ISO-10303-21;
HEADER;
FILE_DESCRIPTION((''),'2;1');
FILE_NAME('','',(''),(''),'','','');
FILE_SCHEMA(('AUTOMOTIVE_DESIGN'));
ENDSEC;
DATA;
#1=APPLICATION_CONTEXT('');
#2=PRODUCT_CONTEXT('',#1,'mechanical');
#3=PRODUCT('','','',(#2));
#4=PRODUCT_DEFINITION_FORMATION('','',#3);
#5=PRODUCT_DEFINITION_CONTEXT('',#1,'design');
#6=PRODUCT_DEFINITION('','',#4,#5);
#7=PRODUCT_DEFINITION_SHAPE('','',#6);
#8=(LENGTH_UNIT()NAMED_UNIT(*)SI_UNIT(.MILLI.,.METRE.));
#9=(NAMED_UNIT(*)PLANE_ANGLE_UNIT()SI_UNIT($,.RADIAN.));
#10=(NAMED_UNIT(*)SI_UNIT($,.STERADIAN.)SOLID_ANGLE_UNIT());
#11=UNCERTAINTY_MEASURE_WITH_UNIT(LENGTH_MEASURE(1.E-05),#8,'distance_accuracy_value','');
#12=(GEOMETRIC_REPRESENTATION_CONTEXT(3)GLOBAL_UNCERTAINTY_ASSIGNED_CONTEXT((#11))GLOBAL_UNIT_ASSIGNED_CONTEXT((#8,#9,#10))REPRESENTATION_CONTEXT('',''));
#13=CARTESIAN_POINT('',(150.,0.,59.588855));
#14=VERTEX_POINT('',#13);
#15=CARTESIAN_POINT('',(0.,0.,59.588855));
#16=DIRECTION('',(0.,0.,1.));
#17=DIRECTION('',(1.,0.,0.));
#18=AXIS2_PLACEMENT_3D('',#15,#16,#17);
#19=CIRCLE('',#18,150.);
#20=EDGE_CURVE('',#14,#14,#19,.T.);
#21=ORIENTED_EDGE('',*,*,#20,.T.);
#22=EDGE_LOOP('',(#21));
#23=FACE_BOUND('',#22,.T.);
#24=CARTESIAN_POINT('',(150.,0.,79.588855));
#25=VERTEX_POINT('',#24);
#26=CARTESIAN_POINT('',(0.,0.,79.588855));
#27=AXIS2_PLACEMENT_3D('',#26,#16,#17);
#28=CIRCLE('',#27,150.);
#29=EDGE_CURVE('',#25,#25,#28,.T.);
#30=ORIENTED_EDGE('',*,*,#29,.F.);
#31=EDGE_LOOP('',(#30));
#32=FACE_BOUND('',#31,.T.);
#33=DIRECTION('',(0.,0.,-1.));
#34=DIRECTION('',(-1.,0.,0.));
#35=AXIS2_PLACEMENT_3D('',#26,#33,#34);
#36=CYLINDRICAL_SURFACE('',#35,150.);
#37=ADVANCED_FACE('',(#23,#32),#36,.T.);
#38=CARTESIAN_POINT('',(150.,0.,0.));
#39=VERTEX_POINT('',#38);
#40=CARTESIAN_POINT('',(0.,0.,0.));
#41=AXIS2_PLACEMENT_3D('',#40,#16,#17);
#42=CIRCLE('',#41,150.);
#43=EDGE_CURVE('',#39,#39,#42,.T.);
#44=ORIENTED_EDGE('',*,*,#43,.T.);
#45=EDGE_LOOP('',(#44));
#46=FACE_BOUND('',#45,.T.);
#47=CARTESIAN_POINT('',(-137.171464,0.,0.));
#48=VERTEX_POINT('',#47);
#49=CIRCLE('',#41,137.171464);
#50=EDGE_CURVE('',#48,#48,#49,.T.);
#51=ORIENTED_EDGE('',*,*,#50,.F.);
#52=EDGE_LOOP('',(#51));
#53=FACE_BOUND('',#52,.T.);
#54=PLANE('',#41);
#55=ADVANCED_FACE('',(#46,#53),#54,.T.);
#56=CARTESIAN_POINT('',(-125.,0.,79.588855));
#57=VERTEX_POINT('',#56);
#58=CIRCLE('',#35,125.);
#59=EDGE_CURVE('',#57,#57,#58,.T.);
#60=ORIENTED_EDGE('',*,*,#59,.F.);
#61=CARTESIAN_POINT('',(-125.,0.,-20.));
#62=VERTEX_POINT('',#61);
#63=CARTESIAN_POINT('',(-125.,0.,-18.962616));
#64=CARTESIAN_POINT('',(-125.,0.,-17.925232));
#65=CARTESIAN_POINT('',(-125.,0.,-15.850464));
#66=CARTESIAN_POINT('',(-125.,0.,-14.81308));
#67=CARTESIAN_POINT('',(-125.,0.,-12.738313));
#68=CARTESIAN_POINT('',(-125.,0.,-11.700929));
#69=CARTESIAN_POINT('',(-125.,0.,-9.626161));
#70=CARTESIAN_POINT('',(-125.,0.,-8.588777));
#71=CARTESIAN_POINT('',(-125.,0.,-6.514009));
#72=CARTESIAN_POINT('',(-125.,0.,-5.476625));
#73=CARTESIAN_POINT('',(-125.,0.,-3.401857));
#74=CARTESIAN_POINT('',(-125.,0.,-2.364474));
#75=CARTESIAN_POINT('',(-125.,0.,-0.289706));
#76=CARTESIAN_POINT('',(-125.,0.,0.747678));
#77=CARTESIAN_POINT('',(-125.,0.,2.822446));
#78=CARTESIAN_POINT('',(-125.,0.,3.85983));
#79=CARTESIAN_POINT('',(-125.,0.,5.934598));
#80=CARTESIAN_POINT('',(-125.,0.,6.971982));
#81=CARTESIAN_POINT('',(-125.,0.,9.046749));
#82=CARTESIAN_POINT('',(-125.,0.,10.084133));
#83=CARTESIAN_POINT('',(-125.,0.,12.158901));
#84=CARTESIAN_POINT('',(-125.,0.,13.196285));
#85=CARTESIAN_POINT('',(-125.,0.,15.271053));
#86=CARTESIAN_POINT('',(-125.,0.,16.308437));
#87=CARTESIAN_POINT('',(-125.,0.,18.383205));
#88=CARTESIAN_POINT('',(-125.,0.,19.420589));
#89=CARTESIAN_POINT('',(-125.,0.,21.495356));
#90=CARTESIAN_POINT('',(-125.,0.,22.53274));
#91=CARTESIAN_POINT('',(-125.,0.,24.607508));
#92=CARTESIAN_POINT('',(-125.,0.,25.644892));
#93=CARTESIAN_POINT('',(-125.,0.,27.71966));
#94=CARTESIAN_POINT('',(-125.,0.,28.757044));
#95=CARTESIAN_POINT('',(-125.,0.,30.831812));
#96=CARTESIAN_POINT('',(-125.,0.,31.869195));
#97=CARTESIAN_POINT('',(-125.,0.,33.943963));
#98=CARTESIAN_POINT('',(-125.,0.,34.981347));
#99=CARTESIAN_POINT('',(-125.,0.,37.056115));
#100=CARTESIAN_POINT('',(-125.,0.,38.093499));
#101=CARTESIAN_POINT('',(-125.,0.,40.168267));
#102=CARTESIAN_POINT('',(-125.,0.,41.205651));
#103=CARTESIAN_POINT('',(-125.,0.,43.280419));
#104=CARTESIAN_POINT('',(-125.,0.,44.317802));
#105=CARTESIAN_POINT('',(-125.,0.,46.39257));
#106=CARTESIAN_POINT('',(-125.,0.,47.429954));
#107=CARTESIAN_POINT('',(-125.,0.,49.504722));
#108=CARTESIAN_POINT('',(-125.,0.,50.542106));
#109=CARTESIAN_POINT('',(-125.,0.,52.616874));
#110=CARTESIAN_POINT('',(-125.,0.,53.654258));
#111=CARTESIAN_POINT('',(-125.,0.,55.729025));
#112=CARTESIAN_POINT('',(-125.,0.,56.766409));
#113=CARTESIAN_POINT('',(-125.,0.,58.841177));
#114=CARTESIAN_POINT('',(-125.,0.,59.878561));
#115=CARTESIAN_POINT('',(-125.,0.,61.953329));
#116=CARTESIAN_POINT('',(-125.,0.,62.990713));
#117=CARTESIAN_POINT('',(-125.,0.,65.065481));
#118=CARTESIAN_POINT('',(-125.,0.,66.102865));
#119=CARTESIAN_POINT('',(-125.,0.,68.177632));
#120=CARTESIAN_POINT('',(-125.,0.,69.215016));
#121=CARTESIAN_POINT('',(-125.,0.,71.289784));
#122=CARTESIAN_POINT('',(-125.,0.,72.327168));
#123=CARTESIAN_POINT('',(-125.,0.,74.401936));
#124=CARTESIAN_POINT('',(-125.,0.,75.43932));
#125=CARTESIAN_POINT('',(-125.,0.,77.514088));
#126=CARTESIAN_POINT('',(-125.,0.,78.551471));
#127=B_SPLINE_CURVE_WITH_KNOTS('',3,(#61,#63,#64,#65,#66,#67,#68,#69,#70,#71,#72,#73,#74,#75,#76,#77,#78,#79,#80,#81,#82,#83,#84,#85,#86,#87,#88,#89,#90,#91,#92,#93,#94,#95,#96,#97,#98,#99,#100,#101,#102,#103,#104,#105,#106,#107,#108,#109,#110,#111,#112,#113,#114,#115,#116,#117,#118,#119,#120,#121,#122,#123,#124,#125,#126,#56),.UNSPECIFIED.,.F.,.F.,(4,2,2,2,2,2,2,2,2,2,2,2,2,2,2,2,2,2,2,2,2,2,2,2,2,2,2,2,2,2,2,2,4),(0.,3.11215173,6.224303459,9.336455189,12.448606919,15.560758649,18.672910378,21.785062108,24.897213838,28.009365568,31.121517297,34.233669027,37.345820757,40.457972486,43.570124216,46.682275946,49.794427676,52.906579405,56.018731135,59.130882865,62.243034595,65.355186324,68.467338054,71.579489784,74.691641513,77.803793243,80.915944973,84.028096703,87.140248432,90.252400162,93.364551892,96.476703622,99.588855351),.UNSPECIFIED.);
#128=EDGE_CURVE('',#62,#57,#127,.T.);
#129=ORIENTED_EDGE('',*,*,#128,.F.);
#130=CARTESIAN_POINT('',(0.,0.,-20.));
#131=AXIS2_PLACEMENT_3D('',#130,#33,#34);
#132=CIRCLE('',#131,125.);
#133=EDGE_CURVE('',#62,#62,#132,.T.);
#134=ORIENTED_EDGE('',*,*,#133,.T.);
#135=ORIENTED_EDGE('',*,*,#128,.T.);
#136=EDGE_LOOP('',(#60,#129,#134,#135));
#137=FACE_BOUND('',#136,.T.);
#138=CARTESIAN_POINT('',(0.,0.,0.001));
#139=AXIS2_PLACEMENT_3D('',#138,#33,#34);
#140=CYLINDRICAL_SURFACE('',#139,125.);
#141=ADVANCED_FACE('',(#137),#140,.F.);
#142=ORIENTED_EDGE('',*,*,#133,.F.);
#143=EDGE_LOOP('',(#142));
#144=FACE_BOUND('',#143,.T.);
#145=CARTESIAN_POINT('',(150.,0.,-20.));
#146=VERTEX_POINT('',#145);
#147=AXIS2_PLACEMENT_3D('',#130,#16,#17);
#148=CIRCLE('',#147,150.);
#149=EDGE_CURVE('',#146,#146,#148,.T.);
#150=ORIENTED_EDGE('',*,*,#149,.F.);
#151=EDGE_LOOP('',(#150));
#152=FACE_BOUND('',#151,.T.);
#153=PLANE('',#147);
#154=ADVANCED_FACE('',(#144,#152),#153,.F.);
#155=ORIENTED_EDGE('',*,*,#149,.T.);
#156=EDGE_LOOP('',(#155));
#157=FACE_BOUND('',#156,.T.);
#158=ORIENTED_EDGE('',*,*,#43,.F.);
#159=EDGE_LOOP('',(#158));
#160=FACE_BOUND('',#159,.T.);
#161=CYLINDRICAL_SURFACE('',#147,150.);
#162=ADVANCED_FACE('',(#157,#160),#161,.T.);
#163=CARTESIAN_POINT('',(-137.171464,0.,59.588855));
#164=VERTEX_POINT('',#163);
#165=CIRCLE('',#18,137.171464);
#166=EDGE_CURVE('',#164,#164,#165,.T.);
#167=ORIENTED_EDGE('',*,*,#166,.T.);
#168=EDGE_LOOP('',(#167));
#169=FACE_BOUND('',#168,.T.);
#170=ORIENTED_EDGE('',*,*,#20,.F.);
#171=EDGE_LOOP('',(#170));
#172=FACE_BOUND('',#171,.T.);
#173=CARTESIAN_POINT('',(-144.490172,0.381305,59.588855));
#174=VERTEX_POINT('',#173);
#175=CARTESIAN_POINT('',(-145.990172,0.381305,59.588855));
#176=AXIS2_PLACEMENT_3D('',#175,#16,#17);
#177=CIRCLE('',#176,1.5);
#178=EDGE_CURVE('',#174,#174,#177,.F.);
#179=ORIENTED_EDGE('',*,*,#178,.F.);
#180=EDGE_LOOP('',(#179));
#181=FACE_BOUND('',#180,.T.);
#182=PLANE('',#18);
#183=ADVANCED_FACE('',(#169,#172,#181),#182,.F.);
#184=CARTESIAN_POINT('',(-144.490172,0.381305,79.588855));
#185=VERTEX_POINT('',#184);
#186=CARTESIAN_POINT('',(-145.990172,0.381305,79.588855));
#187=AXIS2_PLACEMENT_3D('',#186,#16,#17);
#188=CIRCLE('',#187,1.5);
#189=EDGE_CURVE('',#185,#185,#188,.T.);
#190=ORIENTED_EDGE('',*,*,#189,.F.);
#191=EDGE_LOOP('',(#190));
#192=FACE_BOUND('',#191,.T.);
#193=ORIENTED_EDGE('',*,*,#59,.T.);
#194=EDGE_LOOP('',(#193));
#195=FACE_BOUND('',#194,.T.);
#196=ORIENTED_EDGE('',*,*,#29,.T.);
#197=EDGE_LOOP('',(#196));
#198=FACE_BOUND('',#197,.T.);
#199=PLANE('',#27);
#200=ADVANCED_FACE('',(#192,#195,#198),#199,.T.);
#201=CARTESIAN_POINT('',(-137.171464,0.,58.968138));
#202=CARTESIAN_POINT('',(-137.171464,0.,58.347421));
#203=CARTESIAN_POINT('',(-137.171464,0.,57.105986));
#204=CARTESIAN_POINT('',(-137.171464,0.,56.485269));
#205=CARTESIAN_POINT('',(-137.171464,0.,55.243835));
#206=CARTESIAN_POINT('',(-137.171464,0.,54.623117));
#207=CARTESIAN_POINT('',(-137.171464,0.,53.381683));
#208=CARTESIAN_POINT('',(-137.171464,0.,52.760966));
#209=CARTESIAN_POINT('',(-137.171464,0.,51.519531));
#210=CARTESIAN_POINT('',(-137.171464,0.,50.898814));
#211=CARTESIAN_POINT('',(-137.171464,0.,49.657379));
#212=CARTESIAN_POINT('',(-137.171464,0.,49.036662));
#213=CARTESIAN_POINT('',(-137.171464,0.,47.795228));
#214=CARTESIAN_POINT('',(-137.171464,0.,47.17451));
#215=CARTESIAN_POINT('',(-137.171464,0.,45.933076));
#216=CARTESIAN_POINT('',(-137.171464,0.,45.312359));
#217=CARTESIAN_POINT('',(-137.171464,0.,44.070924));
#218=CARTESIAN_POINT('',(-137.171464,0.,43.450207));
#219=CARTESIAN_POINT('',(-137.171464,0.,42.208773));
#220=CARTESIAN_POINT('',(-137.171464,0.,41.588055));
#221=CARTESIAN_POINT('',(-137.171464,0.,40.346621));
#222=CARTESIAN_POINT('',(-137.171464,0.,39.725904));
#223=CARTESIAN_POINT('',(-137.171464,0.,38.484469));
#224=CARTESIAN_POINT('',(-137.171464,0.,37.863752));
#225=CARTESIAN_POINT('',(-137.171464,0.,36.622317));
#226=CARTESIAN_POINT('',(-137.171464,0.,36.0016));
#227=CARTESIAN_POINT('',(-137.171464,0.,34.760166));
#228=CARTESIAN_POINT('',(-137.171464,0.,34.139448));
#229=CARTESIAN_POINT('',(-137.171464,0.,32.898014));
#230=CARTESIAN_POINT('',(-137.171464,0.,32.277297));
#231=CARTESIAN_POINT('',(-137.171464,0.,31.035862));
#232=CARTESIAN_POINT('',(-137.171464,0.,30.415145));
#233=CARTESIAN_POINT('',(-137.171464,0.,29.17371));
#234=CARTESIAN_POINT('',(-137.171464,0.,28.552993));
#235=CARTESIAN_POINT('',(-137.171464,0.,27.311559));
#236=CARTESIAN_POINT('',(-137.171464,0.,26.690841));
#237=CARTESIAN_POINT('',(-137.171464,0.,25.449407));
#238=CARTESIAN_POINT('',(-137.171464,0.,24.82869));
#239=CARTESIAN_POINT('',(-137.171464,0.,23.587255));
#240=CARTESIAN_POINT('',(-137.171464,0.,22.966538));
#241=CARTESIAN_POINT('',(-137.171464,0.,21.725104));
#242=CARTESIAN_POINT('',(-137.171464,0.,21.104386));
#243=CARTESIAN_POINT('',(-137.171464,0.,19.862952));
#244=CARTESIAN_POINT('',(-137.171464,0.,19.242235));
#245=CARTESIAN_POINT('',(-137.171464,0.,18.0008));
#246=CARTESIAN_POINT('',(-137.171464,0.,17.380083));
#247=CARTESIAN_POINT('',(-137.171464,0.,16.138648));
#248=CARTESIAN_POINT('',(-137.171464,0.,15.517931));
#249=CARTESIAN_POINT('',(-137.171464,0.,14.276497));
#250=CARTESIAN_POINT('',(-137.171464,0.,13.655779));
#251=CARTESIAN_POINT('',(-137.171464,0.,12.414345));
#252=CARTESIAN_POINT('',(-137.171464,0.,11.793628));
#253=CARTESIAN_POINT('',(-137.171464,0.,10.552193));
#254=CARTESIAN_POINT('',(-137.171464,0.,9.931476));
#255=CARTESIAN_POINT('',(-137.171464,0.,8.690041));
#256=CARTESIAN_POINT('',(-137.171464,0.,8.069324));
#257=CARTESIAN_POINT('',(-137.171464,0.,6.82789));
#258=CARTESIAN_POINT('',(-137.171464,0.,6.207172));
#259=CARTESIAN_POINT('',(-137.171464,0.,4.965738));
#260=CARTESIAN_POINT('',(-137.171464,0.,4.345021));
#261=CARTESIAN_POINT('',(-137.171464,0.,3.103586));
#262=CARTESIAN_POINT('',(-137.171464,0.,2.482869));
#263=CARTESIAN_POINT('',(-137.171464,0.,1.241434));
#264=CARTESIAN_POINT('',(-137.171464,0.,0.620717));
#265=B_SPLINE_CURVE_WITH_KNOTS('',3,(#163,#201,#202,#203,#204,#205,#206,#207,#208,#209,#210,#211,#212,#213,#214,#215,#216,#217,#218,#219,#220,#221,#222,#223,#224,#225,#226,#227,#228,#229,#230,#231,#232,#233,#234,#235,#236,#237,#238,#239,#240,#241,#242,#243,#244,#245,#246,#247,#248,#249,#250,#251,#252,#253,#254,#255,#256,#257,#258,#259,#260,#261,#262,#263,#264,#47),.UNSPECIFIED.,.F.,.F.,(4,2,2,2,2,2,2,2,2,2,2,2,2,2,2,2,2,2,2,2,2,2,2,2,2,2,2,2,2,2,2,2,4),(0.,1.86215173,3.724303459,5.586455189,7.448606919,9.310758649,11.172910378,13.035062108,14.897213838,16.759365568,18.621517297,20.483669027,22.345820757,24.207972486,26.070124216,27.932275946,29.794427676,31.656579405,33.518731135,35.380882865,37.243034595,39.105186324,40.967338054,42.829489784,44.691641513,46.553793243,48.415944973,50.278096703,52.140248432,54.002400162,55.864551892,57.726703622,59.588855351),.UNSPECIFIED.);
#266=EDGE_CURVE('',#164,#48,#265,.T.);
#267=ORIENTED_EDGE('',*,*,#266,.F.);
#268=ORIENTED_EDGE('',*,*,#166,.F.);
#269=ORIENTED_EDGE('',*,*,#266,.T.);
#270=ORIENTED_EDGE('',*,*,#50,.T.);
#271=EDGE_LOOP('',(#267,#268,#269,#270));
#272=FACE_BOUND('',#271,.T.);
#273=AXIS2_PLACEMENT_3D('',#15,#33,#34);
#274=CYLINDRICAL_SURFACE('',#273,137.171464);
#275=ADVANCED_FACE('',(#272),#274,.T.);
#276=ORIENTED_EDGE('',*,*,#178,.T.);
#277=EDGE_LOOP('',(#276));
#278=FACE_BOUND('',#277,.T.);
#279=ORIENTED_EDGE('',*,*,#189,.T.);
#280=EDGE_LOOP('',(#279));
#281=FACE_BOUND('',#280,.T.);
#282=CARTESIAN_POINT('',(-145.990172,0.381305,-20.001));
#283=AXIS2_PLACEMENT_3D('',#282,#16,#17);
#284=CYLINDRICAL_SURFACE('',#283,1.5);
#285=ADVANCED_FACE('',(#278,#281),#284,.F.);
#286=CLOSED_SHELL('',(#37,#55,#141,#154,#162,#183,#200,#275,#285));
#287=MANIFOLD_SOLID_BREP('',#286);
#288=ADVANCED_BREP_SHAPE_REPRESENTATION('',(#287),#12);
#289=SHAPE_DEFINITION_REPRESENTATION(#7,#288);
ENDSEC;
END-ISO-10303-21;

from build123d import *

# Parameters (mm, degrees)
SKETCH1_R           = 150
BOSS_EXTRUDE2_DEPTH = 20
CUT_EXTRUDE1_REACH  = 215.073
SKETCH2_R           = 125
SKETCH3_R           = 137.171463505
BOSS_EXTRUDE3_DEPTH = 59.588855351
BOSS_EXTRUDE4_START = 20
SKETCH4_R           = 150
BOSS_EXTRUDE4_DEPTH = 20
SKETCH6_R           = 125
CUT_EXTRUDE2_DEPTH  = 227.570929062
CUT_EXTRUDE5_REACH  = 236.346
SKETCH7_R           = 1.5


with BuildPart() as part:
    # Sketch1 → Boss-Extrude2 (new body)
    with BuildSketch(Plane.XY):
        Circle(SKETCH1_R)
    extrude(amount=-BOSS_EXTRUDE2_DEPTH)

    # Sketch2 → Cut-Extrude1 (cut, up to next)
    with BuildSketch(Plane(origin=(0, 0, -20), x_dir=(-1, 0, 0), z_dir=(0, 0, -1)), mode=Mode.PRIVATE) as cut_extrude1_sk1:
        Circle(SKETCH2_R)
    cut_extrude1_tool1 = extrude(cut_extrude1_sk1.sketch, amount=-CUT_EXTRUDE1_REACH, mode=Mode.PRIVATE) & part.part
    add(cut_extrude1_tool1.solids().sort_by_distance((0, 0, -20))[0], mode=Mode.SUBTRACT)

    # Sketch3 → Boss-Extrude3 (add)
    with BuildSketch(Plane.XY):
        with Locations(Location((0, 0, 0), (0, 0, 180))):
            Circle(SKETCH3_R)
    extrude(amount=BOSS_EXTRUDE3_DEPTH)

    # Sketch4 → Boss-Extrude4 (add)
    with BuildSketch(Plane.XY.offset(59.588855351).offset(BOSS_EXTRUDE4_START)):
        Circle(SKETCH4_R)
    extrude(amount=-BOSS_EXTRUDE4_DEPTH)

    # Sketch6 → Cut-Extrude2 (cut, through all)
    with BuildSketch(Plane(origin=(0, 0, 0), x_dir=(-1, 0, 0), z_dir=(0, 0, -1))):
        Circle(SKETCH6_R)
    extrude(amount=-CUT_EXTRUDE2_DEPTH, mode=Mode.SUBTRACT)

    # Sketch7 → Cut-Extrude5 (cut, up to next)
    with BuildSketch(Plane.XY.offset(79.588855351), mode=Mode.PRIVATE) as cut_extrude5_sk1:
        with Locations((-145.990171569, 0.381304843)):
            Circle(SKETCH7_R)
    cut_extrude5_tool1 = extrude(cut_extrude5_sk1.sketch, amount=-CUT_EXTRUDE5_REACH, mode=Mode.PRIVATE) & part.part
    add(cut_extrude5_tool1.solids().sort_by_distance((-145.990172, 0.381305, 79.588855))[0], mode=Mode.SUBTRACT)


solid = part.part
